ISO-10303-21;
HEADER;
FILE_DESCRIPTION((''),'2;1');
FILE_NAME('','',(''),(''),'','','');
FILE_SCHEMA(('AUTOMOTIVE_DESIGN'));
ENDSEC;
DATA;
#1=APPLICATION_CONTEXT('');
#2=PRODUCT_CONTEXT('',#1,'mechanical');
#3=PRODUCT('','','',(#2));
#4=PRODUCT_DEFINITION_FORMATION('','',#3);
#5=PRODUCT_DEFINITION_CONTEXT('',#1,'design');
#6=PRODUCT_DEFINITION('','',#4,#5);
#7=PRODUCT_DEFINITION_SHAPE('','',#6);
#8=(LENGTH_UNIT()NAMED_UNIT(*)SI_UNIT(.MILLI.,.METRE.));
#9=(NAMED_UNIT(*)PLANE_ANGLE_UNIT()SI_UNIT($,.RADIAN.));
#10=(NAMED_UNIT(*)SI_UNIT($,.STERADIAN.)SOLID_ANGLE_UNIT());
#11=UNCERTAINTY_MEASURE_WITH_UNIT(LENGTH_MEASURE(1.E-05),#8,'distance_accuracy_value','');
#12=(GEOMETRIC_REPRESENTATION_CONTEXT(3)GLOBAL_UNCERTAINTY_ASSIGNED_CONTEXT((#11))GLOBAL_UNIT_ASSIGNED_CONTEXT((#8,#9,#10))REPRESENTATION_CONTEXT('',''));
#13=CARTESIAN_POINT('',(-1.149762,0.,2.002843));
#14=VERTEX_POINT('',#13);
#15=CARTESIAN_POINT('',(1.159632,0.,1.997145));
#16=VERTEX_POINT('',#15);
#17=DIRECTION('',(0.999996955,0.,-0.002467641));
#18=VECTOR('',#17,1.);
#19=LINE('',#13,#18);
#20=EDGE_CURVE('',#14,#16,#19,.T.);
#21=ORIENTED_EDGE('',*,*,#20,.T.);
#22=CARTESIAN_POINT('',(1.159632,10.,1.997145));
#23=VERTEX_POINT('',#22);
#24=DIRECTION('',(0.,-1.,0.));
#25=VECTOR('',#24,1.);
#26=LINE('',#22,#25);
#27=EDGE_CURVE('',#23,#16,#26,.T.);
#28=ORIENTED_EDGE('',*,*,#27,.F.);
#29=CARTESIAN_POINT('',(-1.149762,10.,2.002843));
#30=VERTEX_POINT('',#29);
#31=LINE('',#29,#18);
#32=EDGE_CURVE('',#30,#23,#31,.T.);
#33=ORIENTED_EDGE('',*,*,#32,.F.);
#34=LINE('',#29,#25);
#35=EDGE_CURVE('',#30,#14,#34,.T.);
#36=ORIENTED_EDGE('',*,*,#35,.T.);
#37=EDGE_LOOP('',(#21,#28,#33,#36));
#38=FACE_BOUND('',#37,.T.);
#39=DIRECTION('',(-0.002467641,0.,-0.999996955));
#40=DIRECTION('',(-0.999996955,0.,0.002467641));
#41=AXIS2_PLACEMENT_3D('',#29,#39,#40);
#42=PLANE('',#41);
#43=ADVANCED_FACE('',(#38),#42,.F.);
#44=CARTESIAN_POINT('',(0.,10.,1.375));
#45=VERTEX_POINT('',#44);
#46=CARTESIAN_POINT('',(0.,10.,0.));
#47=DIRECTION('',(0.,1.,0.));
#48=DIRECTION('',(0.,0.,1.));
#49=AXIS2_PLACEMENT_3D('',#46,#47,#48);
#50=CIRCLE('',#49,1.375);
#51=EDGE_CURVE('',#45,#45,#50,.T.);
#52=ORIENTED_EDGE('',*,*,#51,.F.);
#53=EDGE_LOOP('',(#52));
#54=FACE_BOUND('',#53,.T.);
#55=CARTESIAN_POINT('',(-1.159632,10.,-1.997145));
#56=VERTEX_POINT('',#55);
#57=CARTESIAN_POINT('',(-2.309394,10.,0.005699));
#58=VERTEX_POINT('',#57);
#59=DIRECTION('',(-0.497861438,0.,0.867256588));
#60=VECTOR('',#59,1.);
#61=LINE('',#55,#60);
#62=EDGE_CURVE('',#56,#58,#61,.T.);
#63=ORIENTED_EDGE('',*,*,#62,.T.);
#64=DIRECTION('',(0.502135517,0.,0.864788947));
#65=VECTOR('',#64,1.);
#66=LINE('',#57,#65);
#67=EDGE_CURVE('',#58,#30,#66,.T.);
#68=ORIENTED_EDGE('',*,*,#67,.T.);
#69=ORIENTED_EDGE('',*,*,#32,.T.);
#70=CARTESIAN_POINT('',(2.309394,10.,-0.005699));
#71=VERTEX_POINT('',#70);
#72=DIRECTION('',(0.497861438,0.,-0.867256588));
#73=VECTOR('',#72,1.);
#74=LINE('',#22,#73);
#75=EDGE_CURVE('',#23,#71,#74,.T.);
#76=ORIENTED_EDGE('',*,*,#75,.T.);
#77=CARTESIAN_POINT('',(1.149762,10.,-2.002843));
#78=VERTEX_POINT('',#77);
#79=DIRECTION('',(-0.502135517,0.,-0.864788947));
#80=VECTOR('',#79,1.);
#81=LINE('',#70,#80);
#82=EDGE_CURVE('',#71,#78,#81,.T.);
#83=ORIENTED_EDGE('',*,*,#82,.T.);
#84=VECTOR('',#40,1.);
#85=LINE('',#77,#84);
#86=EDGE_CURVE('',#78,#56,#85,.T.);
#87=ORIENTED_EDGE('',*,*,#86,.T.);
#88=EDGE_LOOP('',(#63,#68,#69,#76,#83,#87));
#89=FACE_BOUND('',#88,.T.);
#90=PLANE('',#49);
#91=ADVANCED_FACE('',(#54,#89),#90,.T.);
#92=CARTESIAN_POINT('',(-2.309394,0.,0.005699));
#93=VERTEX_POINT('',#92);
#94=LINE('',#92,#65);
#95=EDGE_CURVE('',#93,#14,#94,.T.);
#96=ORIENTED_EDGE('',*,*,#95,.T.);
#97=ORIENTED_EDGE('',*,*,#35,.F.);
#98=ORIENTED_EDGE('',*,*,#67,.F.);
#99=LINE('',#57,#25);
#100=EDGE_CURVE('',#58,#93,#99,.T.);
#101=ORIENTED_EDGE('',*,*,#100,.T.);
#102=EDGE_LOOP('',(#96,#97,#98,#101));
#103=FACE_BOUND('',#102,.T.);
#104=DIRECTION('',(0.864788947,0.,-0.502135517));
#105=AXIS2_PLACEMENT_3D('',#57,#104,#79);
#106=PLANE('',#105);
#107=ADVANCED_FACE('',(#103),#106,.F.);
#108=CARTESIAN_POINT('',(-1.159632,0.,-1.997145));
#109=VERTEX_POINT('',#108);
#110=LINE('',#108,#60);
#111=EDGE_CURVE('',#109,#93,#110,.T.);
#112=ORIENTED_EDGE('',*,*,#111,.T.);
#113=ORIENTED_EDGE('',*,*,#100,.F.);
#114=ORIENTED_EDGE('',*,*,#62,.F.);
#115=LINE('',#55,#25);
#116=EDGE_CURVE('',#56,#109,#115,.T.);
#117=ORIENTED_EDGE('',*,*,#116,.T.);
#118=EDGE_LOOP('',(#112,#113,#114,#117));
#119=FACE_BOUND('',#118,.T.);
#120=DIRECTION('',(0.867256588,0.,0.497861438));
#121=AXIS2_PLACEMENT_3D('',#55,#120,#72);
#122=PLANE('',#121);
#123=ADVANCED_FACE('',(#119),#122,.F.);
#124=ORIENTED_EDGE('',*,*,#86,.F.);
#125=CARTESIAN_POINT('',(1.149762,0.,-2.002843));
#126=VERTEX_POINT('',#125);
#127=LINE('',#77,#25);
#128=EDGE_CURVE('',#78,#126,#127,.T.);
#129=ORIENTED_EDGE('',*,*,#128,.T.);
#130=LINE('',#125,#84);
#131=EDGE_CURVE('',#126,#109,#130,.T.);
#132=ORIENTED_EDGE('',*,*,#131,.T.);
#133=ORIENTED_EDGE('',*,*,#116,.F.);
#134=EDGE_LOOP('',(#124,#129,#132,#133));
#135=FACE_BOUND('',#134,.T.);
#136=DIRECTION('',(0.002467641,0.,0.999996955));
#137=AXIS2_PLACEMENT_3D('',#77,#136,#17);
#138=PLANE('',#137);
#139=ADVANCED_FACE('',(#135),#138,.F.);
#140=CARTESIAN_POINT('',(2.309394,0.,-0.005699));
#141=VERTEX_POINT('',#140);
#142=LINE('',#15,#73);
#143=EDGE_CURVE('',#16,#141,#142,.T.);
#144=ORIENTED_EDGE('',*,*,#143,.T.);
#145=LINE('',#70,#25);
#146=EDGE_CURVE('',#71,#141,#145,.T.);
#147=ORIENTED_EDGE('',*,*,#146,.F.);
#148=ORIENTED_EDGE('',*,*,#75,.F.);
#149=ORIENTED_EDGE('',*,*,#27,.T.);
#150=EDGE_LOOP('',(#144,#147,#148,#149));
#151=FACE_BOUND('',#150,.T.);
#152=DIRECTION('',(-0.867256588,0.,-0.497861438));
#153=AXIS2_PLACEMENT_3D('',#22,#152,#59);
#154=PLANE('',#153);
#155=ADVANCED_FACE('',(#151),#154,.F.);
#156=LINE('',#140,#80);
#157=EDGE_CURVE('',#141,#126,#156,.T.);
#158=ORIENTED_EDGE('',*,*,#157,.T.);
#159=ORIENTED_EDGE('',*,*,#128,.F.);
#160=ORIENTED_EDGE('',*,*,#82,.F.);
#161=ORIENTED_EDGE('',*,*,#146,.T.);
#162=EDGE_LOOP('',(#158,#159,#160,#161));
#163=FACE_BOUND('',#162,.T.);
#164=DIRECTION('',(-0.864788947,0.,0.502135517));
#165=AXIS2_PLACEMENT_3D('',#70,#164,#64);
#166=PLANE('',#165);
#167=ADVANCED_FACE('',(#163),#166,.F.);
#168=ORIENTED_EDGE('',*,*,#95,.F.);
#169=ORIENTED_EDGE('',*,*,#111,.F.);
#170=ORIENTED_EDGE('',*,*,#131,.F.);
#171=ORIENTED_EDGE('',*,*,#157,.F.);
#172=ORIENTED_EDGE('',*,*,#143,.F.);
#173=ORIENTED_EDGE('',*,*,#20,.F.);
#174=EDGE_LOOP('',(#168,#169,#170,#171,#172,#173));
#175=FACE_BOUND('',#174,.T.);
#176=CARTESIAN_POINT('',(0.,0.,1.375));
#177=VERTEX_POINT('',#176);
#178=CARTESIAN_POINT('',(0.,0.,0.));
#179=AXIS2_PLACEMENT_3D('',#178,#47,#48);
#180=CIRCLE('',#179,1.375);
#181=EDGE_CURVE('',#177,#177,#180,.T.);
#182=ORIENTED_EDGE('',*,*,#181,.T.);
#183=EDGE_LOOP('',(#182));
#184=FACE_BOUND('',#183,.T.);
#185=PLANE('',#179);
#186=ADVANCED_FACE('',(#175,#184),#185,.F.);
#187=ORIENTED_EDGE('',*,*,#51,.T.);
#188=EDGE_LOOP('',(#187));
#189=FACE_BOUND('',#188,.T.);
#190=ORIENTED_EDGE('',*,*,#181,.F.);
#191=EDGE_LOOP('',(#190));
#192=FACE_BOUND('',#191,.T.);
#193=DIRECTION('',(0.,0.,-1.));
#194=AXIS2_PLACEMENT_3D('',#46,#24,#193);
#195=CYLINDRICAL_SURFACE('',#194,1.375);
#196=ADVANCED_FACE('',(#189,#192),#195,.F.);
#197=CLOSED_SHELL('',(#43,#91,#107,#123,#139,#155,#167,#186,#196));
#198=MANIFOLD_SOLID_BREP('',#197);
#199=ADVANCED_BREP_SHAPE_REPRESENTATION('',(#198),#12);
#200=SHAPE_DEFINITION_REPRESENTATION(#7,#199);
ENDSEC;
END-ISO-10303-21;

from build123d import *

# Parameters (mm, degrees)
EXTRUDE_1_DEPTH     = 10
SKETCH_2_R          = 1.375
CUT_EXTRUDE_1_DEPTH = 10


with BuildPart() as part:
    # 草图1 → 凸台-拉伸1 (new body)
    with BuildSketch(Plane(origin=(0, 0, 0), x_dir=(1, 0, 0), z_dir=(0, 1, 0))):
        Polygon((1.159632305, -1.997144524), (2.309394045, 0.005698773), (1.149761741, 2.002843297), (-1.159632305, 1.997144524), (-2.309394045, -0.005698773), (-1.149761741, -2.002843297), align=None)
    extrude(amount=EXTRUDE_1_DEPTH)

    # 草图2 → 切除-拉伸1 (cut)
    with BuildSketch(Plane(origin=(0, 0, 0), x_dir=(1, 0, 0), z_dir=(0, 1, 0))):
        with Locations(Location((0, 0, 0), (0, 0, 270))):
            Circle(SKETCH_2_R)
    extrude(amount=CUT_EXTRUDE_1_DEPTH, mode=Mode.SUBTRACT)


solid = part.part
